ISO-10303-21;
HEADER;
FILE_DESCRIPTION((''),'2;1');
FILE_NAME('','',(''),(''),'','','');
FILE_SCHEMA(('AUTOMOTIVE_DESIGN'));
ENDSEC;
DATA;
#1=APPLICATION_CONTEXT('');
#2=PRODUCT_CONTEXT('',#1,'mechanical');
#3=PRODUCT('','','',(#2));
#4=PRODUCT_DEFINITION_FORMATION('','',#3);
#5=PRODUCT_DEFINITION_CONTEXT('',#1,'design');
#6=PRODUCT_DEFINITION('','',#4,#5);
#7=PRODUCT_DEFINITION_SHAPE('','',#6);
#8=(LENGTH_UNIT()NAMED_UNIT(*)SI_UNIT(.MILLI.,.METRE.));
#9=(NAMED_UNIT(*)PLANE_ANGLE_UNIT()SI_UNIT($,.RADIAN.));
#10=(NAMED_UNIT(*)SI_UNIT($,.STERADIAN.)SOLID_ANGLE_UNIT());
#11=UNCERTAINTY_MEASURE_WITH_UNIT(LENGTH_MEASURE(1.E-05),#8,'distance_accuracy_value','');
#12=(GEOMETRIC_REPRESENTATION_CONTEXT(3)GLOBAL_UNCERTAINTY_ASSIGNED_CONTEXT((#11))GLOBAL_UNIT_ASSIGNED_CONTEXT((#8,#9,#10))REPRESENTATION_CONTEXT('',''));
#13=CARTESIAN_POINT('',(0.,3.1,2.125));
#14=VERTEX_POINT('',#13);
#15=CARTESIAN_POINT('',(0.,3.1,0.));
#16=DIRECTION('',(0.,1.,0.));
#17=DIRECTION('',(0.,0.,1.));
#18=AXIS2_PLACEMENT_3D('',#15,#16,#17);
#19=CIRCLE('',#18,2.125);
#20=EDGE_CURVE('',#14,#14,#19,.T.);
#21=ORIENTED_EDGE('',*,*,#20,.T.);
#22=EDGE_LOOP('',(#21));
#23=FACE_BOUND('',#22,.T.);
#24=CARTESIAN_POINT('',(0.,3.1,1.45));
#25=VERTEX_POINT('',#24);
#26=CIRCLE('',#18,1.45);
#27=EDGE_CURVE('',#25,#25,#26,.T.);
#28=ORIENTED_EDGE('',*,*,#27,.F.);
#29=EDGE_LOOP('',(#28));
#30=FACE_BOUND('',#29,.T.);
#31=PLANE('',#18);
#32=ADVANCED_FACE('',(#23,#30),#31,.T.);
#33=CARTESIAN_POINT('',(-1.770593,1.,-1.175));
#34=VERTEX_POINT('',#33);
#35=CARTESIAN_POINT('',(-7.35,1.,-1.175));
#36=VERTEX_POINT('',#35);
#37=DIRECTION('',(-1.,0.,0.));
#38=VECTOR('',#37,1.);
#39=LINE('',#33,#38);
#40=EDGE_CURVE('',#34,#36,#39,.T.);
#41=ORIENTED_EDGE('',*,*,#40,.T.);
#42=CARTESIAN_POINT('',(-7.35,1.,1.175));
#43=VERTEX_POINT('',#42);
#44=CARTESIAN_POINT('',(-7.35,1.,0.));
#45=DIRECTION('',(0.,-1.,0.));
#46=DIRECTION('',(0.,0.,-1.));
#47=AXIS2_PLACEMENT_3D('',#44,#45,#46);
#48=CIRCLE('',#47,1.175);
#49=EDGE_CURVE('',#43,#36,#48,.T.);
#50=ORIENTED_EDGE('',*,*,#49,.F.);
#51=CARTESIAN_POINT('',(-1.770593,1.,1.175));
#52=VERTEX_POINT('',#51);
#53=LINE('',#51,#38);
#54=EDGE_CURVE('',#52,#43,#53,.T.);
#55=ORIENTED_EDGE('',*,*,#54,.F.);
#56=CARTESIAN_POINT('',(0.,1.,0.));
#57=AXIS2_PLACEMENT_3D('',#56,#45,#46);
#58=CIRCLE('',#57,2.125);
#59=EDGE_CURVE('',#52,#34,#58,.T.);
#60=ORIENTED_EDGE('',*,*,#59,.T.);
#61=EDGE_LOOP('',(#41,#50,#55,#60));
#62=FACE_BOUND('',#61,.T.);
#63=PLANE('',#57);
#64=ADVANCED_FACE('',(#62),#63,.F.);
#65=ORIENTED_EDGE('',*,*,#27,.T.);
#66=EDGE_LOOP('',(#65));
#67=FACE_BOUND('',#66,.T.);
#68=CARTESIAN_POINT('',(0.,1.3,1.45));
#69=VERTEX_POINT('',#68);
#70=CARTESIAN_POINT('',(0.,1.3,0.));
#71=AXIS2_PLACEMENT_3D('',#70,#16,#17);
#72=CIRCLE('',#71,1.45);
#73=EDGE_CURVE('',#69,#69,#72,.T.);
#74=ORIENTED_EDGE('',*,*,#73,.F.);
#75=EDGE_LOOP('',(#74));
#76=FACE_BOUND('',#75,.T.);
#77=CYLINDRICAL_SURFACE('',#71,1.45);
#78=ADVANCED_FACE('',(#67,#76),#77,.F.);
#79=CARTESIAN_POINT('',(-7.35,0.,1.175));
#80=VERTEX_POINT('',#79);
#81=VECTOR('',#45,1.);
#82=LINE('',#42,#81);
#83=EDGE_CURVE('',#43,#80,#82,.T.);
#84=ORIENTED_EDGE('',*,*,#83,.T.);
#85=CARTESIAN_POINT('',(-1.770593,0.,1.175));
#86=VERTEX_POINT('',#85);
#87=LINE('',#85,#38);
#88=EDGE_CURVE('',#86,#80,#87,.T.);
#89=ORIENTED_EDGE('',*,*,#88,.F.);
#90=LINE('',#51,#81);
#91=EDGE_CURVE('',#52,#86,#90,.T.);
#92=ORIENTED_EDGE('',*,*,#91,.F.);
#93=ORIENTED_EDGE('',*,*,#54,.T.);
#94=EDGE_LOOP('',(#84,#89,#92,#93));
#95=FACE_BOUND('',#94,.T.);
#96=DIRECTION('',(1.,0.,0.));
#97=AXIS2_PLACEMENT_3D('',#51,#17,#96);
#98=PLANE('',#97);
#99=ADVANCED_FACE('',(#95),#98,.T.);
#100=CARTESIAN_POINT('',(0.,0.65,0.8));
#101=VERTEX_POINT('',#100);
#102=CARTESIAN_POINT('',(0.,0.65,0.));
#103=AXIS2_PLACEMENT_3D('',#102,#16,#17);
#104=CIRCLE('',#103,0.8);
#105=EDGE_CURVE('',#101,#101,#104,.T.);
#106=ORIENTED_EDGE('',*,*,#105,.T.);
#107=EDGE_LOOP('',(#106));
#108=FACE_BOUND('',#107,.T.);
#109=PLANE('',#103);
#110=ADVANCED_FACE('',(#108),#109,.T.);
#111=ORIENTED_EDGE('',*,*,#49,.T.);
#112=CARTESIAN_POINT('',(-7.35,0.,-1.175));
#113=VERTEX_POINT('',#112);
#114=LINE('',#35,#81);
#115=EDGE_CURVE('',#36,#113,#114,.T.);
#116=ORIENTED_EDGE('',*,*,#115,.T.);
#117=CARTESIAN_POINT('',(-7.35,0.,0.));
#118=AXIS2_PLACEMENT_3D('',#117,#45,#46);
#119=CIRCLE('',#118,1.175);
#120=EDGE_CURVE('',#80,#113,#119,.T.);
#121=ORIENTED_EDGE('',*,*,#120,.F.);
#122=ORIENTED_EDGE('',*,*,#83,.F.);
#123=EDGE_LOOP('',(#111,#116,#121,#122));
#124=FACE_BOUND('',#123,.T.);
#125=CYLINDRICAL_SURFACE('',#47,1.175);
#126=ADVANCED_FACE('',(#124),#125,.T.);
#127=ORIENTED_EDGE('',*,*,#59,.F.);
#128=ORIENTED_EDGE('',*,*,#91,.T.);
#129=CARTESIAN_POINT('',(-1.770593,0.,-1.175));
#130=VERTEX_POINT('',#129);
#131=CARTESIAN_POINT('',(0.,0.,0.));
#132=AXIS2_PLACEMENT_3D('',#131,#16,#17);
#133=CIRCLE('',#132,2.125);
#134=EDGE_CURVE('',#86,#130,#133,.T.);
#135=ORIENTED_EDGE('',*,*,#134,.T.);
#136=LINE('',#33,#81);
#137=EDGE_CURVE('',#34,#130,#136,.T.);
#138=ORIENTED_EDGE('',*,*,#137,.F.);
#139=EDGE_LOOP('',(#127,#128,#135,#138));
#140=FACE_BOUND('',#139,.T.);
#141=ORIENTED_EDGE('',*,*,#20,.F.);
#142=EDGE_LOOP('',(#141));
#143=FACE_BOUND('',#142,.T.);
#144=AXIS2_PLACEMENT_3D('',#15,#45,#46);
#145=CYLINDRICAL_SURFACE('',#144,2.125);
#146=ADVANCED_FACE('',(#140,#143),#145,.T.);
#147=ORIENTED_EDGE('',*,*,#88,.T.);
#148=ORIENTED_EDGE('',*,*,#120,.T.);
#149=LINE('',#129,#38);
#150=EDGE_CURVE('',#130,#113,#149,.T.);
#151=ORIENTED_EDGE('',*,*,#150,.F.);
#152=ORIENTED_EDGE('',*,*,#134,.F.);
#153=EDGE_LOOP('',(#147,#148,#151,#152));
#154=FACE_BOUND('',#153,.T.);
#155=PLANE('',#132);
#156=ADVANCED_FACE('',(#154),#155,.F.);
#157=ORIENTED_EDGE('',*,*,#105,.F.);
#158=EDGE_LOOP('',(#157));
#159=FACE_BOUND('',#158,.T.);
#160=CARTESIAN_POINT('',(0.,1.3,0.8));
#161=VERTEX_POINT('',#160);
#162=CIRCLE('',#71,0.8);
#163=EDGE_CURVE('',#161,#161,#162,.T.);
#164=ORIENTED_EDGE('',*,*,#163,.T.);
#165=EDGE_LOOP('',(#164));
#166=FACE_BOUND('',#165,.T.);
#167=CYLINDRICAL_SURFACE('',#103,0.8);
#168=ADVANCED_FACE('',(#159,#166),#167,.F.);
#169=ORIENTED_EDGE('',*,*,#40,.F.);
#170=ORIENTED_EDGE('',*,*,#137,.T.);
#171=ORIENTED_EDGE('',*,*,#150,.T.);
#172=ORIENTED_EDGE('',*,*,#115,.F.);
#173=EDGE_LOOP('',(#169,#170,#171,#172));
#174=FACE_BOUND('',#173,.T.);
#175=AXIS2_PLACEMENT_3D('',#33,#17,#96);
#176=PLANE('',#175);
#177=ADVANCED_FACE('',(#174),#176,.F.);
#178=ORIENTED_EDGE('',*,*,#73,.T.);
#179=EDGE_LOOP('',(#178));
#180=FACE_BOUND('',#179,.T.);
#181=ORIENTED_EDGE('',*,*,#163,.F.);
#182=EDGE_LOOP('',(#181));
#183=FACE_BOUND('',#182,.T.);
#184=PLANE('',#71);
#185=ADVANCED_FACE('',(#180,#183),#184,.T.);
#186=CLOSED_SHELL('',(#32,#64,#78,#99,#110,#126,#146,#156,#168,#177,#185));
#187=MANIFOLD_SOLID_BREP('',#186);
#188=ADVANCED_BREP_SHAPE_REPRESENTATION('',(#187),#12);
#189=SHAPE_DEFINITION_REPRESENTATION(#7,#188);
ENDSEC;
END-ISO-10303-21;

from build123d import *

# Parameters (mm, degrees)
SKETCH1_R           = 2.125
BOSS_EXTRUDE1_DEPTH = 3.1
SKETCH2_R           = 1.45
CUT_EXTRUDE1_DEPTH  = 1.8
SKETCH3_R           = 0.8
CUT_EXTRUDE2_DEPTH  = 0.65
BOSS_EXTRUDE3_DEPTH = 1


with BuildPart() as part:
    # Sketch1 → Boss-Extrude1 (new body)
    with BuildSketch(Plane(origin=(0, 0, 0), x_dir=(1, 0, 0), z_dir=(0, 1, 0))):
        with Locations(Location((0, 0, 0), (0, 0, 90))):
            Circle(SKETCH1_R)
    extrude(amount=BOSS_EXTRUDE1_DEPTH)

    # Sketch2 → Cut-Extrude1 (cut)
    with BuildSketch(Plane(origin=(0, 3.1, 0), x_dir=(1, 0, 0), z_dir=(0, 1, 0))):
        with Locations(Location((0, 0, 0), (0, 0, 270))):
            Circle(SKETCH2_R)
    extrude(amount=-CUT_EXTRUDE1_DEPTH, mode=Mode.SUBTRACT)

    # Sketch3 → Cut-Extrude2 (cut)
    with BuildSketch(Plane(origin=(0, 1.3, 0), x_dir=(1, 0, 0), z_dir=(0, 1, 0))):
        with Locations(Location((0, 0, 0), (0, 0, 270))):
            Circle(SKETCH3_R)
    extrude(amount=-CUT_EXTRUDE2_DEPTH, mode=Mode.SUBTRACT)

    # Sketch4 → Boss-Extrude3 (add)
    with BuildSketch(Plane(origin=(0, 0, 0), x_dir=(1, 0, 0), z_dir=(0, 1, 0))):
        with BuildLine():
            Line((-1.770593121, -1.175), (-7.35, -1.175))
            ThreePointArc((-7.35, -1.175), (-8.525, 0), (-7.35, 1.175))
            Line((-7.35, 1.175), (-1.770593121, 1.175))
            ThreePointArc((-1.770593121, 1.175), (-2.125, 0), (-1.770593121, -1.175))
        make_face()
    extrude(amount=BOSS_EXTRUDE3_DEPTH)


solid = part.part
